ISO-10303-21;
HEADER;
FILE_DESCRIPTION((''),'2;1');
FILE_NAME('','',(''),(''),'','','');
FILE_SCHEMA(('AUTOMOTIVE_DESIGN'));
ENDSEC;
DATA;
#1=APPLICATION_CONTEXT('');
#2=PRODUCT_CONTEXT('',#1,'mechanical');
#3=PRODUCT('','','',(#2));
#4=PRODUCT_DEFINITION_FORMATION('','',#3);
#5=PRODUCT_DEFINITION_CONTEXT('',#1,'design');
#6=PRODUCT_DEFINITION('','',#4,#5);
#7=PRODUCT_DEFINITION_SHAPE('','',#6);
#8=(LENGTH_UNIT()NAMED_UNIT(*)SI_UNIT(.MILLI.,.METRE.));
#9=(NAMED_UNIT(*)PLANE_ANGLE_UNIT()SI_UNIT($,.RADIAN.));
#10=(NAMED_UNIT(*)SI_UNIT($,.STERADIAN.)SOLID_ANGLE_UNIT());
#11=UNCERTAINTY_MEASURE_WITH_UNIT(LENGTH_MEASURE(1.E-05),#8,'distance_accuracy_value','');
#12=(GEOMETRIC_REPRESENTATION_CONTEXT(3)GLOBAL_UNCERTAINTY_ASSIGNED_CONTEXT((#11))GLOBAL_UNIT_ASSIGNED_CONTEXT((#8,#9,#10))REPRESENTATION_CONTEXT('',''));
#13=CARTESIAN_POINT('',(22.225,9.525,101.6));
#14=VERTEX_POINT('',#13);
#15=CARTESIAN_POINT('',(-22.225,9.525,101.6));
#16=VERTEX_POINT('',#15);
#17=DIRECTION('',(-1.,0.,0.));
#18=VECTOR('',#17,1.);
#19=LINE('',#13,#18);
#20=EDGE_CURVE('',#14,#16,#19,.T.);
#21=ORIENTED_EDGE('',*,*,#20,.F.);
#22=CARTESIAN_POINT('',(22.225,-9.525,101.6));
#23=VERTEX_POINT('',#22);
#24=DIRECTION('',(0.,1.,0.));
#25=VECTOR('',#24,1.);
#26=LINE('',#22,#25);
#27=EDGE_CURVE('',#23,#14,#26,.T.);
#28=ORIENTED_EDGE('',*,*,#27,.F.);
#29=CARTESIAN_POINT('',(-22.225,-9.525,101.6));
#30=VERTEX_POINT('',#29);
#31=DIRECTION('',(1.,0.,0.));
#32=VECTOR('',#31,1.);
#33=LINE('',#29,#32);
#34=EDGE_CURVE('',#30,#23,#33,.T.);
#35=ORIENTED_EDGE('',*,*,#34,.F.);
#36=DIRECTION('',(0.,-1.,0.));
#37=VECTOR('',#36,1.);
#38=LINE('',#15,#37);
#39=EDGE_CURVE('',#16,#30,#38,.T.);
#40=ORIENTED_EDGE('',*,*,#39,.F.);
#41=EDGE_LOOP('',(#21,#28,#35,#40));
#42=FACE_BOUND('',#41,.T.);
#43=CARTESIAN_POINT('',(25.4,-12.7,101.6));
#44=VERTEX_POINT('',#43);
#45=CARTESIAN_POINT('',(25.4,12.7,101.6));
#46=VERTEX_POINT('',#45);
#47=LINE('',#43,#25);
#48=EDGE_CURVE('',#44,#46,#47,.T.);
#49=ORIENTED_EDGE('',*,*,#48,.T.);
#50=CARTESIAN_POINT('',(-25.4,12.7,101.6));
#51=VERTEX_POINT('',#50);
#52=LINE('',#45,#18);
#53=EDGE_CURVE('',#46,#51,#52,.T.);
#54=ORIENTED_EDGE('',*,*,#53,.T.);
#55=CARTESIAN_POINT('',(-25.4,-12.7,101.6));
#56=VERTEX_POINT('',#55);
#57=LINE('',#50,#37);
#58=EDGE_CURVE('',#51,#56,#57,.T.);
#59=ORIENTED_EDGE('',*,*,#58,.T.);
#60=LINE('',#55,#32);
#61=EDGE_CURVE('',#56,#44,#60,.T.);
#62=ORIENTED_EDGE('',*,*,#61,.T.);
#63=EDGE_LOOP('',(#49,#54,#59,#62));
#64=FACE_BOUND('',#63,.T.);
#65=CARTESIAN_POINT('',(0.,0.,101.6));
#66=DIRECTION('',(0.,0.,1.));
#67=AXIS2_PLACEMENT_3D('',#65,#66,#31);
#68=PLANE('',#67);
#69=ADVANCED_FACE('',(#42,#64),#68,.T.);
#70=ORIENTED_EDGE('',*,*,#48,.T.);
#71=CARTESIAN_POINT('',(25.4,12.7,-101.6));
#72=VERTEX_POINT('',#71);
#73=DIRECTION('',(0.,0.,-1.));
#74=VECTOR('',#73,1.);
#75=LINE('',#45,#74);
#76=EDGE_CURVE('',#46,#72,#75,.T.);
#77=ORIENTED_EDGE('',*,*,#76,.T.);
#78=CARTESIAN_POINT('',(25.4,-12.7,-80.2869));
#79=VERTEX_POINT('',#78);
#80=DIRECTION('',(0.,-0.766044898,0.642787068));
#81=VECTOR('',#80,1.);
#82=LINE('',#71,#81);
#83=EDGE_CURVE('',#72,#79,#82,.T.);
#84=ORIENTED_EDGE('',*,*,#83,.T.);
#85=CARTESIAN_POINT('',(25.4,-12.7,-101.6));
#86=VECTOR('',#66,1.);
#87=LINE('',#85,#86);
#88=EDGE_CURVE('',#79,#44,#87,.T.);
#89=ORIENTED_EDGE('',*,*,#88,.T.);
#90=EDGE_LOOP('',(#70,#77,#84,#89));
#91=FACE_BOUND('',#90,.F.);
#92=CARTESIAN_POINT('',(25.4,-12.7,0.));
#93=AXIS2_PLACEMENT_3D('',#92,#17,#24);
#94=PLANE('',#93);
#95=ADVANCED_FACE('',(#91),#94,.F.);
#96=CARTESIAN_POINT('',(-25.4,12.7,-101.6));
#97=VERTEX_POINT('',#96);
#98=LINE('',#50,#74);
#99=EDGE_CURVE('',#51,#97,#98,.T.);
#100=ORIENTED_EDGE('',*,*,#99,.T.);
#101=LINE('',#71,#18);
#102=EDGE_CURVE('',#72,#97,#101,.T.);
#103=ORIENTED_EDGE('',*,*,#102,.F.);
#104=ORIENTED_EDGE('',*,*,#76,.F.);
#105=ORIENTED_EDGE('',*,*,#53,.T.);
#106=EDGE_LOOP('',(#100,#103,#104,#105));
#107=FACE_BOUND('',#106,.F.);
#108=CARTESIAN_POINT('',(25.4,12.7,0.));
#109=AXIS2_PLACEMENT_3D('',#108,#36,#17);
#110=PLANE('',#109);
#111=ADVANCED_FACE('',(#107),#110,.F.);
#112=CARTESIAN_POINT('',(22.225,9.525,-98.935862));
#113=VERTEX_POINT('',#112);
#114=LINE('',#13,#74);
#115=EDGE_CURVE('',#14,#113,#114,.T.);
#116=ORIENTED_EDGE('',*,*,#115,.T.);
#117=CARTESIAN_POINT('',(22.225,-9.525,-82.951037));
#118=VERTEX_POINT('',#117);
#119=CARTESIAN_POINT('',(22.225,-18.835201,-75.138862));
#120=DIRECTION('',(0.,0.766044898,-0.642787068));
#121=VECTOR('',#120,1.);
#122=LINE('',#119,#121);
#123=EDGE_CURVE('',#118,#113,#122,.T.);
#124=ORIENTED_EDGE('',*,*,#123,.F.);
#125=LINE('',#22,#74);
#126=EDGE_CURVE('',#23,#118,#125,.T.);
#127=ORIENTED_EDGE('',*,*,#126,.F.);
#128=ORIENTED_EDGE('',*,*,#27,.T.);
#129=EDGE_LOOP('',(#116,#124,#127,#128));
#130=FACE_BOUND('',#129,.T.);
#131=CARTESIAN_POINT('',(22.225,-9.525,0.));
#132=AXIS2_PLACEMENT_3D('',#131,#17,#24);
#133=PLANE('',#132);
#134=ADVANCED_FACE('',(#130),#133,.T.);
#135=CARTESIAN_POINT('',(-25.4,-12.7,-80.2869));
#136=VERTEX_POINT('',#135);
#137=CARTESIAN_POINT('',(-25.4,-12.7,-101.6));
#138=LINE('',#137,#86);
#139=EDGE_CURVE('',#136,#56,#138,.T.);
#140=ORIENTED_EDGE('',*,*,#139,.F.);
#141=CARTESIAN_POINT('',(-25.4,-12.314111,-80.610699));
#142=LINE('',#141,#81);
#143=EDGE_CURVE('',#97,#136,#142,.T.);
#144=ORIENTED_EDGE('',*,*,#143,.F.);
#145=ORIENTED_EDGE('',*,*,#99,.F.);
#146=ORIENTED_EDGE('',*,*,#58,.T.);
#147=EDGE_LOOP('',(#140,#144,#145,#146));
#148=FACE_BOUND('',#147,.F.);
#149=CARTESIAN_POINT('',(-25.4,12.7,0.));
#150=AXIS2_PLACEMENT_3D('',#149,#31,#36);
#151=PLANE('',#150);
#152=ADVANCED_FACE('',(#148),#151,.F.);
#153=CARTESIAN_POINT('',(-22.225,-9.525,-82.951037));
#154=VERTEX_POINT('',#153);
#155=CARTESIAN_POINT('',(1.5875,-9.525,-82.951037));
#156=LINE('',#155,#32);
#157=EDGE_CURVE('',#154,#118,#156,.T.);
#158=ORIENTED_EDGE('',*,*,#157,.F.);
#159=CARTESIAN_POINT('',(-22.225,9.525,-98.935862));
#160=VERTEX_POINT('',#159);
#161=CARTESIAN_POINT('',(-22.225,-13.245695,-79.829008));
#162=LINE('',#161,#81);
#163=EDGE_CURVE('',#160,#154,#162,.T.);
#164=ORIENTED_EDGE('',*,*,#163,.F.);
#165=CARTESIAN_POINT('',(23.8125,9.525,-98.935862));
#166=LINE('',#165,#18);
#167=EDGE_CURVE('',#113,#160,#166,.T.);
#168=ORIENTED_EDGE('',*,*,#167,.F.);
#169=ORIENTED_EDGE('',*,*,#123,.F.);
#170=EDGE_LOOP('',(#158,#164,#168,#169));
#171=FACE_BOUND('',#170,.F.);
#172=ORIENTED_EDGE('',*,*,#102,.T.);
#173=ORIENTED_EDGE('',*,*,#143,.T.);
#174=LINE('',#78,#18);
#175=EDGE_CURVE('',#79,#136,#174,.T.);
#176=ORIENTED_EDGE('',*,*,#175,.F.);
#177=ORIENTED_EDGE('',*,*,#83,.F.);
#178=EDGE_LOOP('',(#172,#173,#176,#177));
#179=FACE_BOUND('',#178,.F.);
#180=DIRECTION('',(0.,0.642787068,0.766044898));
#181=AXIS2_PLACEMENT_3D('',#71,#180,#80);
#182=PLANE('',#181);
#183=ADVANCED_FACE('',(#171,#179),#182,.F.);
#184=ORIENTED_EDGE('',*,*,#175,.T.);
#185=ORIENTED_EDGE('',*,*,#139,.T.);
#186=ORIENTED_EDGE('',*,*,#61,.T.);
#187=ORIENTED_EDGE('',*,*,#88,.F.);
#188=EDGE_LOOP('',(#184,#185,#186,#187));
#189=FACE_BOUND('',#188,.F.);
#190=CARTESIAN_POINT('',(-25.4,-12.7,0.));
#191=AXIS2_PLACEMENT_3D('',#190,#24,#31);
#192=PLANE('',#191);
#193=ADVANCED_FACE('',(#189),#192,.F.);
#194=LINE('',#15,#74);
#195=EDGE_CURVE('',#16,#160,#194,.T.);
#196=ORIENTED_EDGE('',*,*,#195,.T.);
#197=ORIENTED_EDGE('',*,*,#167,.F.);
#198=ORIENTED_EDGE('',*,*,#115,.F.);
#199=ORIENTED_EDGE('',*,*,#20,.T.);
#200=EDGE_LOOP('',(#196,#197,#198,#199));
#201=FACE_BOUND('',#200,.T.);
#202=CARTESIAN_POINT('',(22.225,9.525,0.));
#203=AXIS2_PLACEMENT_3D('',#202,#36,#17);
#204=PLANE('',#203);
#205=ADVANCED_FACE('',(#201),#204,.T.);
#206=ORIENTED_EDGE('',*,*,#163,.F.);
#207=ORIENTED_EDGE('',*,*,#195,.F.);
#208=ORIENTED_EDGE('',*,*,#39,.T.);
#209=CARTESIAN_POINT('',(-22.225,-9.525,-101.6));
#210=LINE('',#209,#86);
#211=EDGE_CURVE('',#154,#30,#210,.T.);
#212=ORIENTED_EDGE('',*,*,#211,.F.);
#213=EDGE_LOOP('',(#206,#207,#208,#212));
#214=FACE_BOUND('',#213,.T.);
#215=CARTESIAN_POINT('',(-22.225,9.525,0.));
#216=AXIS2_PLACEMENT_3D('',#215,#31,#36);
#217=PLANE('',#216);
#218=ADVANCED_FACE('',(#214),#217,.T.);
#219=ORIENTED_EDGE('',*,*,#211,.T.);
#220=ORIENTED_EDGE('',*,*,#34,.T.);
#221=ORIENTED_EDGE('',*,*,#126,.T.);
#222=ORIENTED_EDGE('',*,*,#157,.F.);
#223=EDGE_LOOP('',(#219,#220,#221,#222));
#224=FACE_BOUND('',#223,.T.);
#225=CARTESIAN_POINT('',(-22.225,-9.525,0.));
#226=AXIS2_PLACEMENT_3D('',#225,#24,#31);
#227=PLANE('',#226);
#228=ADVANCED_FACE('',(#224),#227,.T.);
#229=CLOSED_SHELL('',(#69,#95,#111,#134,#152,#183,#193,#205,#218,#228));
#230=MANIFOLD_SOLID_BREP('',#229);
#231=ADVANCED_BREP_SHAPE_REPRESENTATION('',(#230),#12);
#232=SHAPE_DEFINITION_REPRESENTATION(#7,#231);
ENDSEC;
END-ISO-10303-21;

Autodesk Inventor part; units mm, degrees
ref_plane "YZ Plane" through (0, 0, 0) normal (1, 0, 0) x (0, 1, 0)
ref_plane "XZ Plane" through (0, 0, 0) normal (0, 1, 0) x (-1, 0, 0)
ref_plane "XY Plane" through (0, 0, 0) normal (0, 0, 1) x (1, 0, 0)
sketch "Sketch1" plane through (0, 0, 0) normal (0, 0, 1) x (1, 0, 0)
  line L0 (-25.4, -12.7) -> (25.4, -12.7)
  line L1 (25.4, -12.7) -> (25.4, 12.7)
  line L2 (25.4, 12.7) -> (-25.4, 12.7)
  line L3 (-25.4, 12.7) -> (-25.4, -12.7)
  line L4 (-25.4, -12.7) -> (25.4, 12.7) construction
  line L5 (25.4, -12.7) -> (-25.4, 12.7) construction
  line L6 (-22.225, -9.525) -> (22.225, -9.525)
  line L7 (22.225, -9.525) -> (22.225, 9.525)
  line L8 (22.225, 9.525) -> (-22.225, 9.525)
  line L9 (-22.225, 9.525) -> (-22.225, -9.525)
  line L10 (-22.225, -9.525) -> (22.225, 9.525) construction
  line L11 (22.225, -9.525) -> (-22.225, 9.525) construction
  point P0 (0, 0)
  dimension "d0" = 50.8
  dimension "d1" = 25.4
  dimension "d2" = 3.175
  dimension "d3" = 3.175
extrude "Extrusion1" add sketch "Sketch1" along normal mid plane 203.2
sketch "Sketch2" plane through (25.4, -12.7, 101.6) normal (1, 0, 0) x (0, 0, -1)
  point P0 (101.6, 12.7)
sketch "Sketch3" plane through (25.4, -12.7, 101.6) normal (1, 0, 0) x (0, 0, -1)
  line L0 (203.2, 0) -> (203.2, 25.4) projected
  line L1 (203.2, 25.4) -> (181.8869, 0)
  line L2 (0, 0) -> (203.2, 0) projected
  line L3 (203.2, 25.4) -> (203.2, 0)
  line L4 (203.2, 3.175) -> (203.2, 22.225) projected
  line L5 (203.2, 0) -> (181.8869, 0)
  point P0 (101.6, 12.7)
  dimension "d6" = 50
extrude "Extrusion2" cut sketch "Sketch3" against normal through all
properties part number "Aluminum1x2HypotTop" material "Aluminum 6061"
